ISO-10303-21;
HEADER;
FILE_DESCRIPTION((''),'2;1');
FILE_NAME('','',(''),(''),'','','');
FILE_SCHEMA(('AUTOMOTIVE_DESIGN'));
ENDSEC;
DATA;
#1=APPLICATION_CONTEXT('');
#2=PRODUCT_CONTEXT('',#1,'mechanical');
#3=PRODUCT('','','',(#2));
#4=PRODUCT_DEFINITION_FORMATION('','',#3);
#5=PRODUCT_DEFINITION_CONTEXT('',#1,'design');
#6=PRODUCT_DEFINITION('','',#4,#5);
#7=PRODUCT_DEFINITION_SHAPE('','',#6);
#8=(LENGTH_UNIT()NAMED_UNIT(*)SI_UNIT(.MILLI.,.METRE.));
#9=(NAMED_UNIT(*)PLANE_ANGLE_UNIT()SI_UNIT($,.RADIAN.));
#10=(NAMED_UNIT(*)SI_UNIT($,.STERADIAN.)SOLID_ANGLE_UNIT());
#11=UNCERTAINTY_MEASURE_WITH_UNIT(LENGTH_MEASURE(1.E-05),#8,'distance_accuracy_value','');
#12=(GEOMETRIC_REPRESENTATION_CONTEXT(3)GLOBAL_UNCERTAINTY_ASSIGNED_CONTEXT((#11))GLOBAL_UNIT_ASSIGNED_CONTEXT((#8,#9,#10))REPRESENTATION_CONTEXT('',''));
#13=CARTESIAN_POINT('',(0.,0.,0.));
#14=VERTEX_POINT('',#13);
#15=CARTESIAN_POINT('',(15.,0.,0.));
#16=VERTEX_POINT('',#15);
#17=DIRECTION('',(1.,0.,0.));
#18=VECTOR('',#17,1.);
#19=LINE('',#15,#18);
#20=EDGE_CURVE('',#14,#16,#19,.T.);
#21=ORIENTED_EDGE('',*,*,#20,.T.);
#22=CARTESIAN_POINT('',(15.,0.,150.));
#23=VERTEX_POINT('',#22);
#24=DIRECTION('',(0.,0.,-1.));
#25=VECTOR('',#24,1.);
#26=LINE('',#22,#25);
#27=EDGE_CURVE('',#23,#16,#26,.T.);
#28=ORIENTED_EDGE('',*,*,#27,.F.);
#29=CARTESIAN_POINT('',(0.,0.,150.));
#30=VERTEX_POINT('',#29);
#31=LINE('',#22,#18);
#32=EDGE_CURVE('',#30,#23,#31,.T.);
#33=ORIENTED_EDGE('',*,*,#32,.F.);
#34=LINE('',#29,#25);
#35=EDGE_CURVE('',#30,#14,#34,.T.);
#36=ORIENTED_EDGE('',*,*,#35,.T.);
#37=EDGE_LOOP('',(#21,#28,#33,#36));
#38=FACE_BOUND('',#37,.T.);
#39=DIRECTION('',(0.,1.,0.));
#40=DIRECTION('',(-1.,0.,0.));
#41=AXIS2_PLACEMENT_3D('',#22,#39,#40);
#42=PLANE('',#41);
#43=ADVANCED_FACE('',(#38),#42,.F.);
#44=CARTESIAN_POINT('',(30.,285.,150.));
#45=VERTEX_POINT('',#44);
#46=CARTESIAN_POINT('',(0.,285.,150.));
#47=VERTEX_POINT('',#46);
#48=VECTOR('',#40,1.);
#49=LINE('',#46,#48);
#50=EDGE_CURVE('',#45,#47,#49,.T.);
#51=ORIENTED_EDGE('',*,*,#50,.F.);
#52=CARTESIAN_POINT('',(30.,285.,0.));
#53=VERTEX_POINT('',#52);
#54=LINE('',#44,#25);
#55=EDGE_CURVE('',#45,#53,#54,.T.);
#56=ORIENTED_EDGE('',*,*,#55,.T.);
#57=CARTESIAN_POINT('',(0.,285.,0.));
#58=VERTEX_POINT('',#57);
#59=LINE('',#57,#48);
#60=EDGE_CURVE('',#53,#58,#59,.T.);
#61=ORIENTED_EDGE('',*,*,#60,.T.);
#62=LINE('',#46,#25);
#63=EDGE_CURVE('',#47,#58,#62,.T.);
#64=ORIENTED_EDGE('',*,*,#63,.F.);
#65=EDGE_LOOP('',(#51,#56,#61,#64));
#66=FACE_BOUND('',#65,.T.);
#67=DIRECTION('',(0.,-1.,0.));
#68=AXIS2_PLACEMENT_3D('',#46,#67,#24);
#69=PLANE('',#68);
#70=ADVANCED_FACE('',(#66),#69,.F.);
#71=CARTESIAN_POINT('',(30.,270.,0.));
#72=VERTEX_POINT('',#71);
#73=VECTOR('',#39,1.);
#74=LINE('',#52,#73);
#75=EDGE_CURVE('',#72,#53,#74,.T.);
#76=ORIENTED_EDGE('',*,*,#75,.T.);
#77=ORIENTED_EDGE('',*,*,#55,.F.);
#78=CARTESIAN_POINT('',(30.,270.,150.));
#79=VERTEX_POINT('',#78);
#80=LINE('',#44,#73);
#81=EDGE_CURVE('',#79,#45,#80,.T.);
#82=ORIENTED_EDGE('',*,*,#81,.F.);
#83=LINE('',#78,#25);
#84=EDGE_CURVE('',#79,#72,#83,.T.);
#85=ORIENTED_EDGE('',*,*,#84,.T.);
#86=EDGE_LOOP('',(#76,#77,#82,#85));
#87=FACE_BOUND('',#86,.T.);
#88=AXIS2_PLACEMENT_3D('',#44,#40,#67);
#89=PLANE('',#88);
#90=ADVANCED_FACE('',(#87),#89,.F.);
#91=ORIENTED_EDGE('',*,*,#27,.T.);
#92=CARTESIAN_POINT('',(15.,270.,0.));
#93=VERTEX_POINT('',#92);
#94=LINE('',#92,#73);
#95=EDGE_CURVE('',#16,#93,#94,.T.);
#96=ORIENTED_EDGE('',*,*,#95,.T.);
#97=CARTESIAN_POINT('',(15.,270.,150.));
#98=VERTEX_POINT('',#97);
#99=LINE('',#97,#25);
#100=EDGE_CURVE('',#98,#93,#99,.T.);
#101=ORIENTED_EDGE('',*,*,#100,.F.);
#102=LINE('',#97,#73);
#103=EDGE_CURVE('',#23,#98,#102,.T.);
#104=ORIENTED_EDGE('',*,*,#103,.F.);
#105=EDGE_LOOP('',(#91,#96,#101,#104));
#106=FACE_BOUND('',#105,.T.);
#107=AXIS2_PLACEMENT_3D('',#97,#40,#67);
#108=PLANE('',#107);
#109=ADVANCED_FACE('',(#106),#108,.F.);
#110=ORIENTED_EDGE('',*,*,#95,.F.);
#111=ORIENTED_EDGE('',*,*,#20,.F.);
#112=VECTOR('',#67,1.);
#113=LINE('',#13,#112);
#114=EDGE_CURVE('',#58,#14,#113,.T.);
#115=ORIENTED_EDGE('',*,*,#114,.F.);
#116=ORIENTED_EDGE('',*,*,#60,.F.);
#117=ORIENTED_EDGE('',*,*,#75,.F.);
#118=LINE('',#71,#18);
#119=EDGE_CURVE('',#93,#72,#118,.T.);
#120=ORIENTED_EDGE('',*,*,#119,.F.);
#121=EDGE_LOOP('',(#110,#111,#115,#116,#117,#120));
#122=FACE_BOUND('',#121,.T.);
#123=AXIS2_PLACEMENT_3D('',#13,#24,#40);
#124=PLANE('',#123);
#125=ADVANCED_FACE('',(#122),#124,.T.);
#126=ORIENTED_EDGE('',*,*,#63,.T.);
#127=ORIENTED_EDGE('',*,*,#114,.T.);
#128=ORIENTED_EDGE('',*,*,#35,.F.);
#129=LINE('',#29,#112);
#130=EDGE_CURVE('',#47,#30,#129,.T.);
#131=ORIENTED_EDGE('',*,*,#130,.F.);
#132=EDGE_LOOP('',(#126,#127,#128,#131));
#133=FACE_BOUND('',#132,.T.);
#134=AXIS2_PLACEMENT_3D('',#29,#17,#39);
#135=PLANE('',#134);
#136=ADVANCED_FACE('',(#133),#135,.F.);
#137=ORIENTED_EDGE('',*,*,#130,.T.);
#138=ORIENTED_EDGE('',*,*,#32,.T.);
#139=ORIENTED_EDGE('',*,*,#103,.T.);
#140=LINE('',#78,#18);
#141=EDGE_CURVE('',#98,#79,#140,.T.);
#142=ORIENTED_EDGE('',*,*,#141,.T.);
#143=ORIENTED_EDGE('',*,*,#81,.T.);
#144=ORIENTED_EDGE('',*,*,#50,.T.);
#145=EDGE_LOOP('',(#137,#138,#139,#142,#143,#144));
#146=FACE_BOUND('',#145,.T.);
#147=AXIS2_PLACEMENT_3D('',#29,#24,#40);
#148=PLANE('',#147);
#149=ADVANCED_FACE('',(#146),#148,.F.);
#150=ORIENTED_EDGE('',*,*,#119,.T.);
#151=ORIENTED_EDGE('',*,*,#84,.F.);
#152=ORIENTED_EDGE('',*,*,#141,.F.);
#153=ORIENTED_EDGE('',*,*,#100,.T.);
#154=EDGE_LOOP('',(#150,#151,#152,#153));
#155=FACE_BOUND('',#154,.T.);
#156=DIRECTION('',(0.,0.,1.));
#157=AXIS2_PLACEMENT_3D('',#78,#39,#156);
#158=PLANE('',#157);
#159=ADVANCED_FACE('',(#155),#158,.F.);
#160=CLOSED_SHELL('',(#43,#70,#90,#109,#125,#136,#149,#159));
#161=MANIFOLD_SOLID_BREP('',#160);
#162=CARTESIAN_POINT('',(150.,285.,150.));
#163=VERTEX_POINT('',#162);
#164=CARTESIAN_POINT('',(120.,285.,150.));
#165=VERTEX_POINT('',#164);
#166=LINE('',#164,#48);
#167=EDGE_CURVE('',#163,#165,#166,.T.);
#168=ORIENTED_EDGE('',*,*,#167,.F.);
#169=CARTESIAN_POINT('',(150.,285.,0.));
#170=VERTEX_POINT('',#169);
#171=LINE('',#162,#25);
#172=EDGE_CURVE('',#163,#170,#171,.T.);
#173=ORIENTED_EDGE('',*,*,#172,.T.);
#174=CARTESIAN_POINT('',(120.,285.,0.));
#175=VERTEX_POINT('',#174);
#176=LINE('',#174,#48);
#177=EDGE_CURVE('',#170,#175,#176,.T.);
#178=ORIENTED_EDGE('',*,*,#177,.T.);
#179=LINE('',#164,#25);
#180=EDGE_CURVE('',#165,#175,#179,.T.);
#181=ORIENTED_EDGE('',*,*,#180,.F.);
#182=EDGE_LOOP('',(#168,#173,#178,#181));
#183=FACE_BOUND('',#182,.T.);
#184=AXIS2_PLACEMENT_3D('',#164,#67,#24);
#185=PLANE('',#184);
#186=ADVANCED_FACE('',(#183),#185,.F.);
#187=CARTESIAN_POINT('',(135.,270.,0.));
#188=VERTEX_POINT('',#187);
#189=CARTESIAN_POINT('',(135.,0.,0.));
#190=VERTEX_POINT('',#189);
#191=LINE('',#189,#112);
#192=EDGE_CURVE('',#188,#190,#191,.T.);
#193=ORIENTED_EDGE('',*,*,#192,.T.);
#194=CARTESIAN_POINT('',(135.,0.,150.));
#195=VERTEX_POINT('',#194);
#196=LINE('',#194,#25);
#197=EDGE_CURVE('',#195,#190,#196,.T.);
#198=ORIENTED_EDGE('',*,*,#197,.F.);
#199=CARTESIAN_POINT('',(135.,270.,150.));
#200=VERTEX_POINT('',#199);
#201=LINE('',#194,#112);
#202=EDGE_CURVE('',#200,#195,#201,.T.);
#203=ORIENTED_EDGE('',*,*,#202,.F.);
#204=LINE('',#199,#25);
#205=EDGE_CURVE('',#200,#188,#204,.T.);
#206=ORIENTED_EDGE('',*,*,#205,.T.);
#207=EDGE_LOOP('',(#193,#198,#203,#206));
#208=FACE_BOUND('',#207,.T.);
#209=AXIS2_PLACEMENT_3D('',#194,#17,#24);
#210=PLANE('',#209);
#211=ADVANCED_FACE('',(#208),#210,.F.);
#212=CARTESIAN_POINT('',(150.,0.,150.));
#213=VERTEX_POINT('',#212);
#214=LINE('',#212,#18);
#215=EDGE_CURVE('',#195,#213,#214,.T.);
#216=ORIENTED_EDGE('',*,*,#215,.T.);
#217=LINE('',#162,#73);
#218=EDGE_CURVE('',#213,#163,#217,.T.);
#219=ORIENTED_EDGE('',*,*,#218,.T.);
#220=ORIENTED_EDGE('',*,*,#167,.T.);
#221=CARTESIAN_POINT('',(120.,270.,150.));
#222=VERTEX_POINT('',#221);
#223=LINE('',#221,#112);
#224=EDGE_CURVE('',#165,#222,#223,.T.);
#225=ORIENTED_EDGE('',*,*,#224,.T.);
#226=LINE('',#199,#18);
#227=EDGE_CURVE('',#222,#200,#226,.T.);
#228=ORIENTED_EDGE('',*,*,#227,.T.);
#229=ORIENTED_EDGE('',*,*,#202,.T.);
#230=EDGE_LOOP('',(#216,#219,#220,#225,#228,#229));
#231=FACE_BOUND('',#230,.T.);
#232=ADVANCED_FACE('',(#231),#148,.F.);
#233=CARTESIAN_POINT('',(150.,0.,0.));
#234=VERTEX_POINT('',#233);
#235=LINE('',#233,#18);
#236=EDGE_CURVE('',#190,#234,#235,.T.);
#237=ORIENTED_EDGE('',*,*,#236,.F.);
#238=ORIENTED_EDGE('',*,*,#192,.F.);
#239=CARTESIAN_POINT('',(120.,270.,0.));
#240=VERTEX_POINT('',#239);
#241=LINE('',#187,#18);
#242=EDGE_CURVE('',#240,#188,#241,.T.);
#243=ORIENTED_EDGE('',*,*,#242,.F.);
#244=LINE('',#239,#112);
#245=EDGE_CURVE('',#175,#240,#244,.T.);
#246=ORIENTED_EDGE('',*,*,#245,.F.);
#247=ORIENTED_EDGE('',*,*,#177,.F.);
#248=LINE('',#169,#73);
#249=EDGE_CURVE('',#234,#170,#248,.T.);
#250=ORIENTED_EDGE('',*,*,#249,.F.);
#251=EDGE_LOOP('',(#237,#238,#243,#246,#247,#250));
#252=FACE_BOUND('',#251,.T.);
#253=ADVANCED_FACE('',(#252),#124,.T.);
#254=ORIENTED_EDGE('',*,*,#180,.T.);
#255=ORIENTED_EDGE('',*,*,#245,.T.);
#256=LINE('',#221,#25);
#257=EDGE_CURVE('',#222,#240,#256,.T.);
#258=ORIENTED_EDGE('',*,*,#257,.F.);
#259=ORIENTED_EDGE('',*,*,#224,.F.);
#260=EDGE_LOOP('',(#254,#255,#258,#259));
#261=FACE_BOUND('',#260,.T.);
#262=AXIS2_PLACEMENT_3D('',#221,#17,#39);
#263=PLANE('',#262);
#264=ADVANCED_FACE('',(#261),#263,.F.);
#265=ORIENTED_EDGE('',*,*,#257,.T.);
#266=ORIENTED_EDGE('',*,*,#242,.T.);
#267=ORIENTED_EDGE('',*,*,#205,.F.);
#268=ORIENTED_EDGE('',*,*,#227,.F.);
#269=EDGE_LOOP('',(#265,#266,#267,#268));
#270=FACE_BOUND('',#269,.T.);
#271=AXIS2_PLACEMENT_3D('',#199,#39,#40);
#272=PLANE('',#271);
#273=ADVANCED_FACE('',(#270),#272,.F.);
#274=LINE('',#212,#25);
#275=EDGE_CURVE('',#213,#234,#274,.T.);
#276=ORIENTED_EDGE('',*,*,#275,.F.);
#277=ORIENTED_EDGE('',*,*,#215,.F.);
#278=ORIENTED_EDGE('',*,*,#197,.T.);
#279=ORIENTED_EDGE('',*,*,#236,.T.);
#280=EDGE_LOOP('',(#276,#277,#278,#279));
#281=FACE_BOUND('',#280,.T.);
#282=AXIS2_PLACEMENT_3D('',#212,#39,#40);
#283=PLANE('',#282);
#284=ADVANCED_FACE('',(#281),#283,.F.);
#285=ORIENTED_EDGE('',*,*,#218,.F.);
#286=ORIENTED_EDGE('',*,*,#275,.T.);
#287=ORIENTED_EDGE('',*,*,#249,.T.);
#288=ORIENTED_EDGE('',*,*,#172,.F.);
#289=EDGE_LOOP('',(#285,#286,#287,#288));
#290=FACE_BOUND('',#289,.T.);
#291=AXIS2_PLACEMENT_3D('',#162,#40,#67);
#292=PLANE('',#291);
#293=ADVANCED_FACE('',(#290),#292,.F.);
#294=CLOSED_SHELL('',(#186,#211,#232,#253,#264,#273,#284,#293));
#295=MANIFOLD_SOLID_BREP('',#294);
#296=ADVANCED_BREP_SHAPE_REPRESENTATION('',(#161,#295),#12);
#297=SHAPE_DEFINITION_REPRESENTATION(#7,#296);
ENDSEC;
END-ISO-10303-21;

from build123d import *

# Parameters (mm, degrees)
BOSS_EXTRUDE1_DEPTH   = 150
BOSS_EXTRUDE1_2_DEPTH = 150


with BuildPart() as part:
    # Sketch1 → Boss-Extrude1 (new body)
    with BuildSketch(Plane.XY):
        Polygon((0, 0), (0, 285), (30, 285), (30, 270), (15, 270), (15, 0), align=None)
    extrude(amount=BOSS_EXTRUDE1_DEPTH)


with BuildPart() as body_2:
    # Sketch1 → Boss-Extrude1 2 (new body)
    with BuildSketch(Plane.XY):
        Polygon((135, 0), (135, 270), (120, 270), (120, 285), (150, 285), (150, 0), align=None)
    extrude(amount=BOSS_EXTRUDE1_2_DEPTH)


solid = Compound([part.part, body_2.part])
